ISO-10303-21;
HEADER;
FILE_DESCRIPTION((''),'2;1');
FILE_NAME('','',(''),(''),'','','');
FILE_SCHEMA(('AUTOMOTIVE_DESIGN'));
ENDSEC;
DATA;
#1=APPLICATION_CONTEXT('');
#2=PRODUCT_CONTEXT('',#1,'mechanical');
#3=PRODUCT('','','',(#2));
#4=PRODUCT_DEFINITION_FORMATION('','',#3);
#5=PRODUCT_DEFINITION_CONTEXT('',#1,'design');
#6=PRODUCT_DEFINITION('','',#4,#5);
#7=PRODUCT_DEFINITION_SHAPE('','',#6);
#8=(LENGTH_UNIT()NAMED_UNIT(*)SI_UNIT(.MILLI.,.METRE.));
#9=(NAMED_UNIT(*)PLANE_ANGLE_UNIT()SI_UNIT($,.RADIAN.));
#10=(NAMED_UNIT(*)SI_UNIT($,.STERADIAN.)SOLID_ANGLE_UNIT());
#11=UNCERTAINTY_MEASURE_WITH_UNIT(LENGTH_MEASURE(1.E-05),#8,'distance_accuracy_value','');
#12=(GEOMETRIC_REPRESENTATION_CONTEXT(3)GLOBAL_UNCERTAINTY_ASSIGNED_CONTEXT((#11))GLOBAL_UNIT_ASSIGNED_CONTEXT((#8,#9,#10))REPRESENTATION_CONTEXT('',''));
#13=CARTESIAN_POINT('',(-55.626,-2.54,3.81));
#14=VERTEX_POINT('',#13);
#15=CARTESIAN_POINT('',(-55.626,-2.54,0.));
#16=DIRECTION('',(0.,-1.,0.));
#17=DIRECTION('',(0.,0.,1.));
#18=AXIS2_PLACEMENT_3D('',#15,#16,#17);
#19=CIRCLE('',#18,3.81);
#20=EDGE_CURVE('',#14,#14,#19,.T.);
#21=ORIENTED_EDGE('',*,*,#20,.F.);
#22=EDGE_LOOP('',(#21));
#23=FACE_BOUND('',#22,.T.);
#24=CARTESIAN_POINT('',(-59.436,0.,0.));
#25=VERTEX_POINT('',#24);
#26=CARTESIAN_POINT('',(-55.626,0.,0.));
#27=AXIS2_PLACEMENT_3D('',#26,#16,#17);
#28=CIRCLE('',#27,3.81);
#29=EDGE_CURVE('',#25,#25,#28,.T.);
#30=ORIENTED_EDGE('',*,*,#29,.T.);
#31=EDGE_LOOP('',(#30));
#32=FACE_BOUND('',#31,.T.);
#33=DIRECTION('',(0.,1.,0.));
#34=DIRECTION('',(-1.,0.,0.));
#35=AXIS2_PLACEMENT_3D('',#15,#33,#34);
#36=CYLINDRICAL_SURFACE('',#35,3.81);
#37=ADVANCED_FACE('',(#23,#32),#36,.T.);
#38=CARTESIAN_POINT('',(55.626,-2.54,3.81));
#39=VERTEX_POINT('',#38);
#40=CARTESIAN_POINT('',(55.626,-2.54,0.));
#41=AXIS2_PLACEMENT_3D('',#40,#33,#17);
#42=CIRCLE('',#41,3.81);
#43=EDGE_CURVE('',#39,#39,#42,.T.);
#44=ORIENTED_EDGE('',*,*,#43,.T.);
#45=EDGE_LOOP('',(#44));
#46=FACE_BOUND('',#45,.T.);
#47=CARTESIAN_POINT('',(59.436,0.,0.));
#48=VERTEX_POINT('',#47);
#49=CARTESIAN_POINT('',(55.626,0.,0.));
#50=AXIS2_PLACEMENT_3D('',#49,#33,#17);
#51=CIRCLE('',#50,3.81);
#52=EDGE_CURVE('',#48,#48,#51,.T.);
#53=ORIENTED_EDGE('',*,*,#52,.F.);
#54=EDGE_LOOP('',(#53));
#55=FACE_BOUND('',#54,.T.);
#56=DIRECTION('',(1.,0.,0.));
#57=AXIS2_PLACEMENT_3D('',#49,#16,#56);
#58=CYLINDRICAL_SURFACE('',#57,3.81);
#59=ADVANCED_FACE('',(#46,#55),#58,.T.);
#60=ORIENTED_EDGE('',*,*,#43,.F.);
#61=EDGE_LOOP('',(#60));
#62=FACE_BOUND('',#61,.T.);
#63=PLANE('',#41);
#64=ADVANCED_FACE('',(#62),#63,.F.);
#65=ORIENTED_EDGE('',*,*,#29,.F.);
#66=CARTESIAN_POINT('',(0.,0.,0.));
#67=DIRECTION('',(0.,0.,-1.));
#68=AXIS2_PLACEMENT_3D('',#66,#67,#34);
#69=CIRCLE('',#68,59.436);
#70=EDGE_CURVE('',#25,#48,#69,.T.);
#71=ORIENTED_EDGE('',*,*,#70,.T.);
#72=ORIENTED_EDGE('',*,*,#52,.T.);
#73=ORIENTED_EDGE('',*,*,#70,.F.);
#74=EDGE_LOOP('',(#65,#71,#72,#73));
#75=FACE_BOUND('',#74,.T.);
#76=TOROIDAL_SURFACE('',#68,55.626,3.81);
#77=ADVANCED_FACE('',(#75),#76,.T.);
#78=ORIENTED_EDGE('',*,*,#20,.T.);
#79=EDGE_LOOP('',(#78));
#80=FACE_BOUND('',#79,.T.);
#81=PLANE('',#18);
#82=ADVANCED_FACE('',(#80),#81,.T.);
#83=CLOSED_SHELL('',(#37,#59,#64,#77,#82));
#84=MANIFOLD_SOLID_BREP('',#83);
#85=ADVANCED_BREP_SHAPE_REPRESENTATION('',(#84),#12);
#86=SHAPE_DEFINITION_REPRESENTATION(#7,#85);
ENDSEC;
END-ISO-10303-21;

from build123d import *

# Parameters (mm, degrees)
SWEEP1_PROFILE_R = 3.81


with BuildPart() as part:
    # Sweep1: sweep along a path in Sketch2
    with BuildLine(Plane.XY) as sweep1_path:
        Line((-55.626, -2.54), (-55.626, 0))
        ThreePointArc((-55.626, 0), (0, 55.626), (55.626, 0))
        Line((55.626, 0), (55.626, -2.54))
    # Sweep1 profile (on start of the path) → Sweep1 (sweep)
    with BuildSketch(Plane(origin=(-55.626, -2.54, 0), x_dir=(1, 0, 0), z_dir=(0, 1, 0))):
        Circle(SWEEP1_PROFILE_R)
    sweep(path=sweep1_path.line)


solid = part.part
